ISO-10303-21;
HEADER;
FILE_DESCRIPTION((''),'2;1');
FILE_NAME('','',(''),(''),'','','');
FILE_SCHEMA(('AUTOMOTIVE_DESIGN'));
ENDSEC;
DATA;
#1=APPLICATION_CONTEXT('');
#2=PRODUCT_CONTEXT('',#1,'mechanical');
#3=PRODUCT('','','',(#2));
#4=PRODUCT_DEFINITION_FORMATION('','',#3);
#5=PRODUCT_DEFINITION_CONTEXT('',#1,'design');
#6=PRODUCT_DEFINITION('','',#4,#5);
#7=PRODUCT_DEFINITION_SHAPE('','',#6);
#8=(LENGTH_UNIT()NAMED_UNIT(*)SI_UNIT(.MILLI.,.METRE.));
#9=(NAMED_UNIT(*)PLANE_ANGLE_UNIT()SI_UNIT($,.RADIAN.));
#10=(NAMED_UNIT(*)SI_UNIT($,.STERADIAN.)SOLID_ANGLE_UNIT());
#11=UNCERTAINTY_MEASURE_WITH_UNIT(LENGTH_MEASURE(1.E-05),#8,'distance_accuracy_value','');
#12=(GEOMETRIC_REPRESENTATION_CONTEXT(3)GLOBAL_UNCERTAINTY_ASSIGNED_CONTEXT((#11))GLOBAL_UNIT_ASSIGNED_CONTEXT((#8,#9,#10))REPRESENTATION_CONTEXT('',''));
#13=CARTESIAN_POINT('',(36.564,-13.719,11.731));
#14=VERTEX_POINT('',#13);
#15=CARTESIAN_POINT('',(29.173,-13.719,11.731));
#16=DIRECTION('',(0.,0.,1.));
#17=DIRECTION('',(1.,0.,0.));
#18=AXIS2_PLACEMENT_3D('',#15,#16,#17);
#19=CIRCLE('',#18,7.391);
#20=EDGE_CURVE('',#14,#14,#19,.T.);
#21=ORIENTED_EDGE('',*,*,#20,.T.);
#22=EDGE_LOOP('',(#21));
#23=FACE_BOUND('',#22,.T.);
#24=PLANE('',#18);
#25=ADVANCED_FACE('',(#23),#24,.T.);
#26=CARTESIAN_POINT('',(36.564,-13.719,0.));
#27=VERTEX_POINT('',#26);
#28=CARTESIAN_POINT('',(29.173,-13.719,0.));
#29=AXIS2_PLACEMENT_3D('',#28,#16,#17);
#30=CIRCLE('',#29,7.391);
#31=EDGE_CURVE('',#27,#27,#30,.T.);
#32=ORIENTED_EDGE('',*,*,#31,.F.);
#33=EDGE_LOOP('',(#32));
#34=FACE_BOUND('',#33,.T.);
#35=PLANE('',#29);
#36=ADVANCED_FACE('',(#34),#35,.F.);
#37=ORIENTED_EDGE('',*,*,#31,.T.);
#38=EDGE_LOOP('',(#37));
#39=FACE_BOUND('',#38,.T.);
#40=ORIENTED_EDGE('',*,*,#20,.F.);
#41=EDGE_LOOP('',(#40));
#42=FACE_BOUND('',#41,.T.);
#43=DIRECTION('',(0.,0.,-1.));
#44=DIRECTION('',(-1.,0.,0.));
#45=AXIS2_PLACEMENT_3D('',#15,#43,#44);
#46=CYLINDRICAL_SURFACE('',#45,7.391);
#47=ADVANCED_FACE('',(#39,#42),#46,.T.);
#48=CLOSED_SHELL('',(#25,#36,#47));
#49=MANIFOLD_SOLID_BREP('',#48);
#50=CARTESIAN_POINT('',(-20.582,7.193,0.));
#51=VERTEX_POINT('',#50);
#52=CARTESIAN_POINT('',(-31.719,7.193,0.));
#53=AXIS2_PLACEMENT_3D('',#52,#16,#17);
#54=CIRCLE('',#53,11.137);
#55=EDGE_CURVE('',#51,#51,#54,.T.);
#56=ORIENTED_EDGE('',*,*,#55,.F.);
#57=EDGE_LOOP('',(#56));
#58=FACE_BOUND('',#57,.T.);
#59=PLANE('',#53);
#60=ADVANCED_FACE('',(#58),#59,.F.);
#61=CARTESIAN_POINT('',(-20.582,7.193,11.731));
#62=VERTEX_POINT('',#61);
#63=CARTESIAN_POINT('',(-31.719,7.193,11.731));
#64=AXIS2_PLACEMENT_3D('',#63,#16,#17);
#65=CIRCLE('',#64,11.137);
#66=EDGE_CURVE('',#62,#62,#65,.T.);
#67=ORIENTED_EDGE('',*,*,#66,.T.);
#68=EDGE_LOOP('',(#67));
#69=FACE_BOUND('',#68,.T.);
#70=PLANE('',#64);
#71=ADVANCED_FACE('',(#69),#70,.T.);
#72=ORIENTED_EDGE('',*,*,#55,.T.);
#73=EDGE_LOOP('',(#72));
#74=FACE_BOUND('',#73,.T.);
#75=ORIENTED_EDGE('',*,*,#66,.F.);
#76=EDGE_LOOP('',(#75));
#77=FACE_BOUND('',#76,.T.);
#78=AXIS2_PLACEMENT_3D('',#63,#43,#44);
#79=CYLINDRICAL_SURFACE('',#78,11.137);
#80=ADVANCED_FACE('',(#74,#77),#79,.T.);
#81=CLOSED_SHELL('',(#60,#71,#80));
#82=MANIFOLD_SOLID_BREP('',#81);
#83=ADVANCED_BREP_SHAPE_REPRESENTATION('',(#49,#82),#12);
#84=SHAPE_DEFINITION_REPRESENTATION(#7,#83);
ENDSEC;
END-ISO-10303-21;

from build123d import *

# Parameters (mm, degrees)
CURVESKETCH_R     = 11.137
CURVEBOSS_DEPTH   = 11.731
CURVESKETCH_R_2   = 7.391
CURVEBOSS_2_DEPTH = 11.731


with BuildPart() as part:
    # CurveSketch → CurveBoss (new body)
    with BuildSketch(Plane.XY):
        with Locations((-31.719, 7.193)):
            Circle(CURVESKETCH_R)
    extrude(amount=CURVEBOSS_DEPTH)


with BuildPart() as body_2:
    # CurveSketch → CurveBoss 2 (new body)
    with BuildSketch(Plane.XY):
        with Locations((29.173, -13.719)):
            Circle(CURVESKETCH_R_2)
    extrude(amount=CURVEBOSS_2_DEPTH)


solid = Compound([part.part, body_2.part])
